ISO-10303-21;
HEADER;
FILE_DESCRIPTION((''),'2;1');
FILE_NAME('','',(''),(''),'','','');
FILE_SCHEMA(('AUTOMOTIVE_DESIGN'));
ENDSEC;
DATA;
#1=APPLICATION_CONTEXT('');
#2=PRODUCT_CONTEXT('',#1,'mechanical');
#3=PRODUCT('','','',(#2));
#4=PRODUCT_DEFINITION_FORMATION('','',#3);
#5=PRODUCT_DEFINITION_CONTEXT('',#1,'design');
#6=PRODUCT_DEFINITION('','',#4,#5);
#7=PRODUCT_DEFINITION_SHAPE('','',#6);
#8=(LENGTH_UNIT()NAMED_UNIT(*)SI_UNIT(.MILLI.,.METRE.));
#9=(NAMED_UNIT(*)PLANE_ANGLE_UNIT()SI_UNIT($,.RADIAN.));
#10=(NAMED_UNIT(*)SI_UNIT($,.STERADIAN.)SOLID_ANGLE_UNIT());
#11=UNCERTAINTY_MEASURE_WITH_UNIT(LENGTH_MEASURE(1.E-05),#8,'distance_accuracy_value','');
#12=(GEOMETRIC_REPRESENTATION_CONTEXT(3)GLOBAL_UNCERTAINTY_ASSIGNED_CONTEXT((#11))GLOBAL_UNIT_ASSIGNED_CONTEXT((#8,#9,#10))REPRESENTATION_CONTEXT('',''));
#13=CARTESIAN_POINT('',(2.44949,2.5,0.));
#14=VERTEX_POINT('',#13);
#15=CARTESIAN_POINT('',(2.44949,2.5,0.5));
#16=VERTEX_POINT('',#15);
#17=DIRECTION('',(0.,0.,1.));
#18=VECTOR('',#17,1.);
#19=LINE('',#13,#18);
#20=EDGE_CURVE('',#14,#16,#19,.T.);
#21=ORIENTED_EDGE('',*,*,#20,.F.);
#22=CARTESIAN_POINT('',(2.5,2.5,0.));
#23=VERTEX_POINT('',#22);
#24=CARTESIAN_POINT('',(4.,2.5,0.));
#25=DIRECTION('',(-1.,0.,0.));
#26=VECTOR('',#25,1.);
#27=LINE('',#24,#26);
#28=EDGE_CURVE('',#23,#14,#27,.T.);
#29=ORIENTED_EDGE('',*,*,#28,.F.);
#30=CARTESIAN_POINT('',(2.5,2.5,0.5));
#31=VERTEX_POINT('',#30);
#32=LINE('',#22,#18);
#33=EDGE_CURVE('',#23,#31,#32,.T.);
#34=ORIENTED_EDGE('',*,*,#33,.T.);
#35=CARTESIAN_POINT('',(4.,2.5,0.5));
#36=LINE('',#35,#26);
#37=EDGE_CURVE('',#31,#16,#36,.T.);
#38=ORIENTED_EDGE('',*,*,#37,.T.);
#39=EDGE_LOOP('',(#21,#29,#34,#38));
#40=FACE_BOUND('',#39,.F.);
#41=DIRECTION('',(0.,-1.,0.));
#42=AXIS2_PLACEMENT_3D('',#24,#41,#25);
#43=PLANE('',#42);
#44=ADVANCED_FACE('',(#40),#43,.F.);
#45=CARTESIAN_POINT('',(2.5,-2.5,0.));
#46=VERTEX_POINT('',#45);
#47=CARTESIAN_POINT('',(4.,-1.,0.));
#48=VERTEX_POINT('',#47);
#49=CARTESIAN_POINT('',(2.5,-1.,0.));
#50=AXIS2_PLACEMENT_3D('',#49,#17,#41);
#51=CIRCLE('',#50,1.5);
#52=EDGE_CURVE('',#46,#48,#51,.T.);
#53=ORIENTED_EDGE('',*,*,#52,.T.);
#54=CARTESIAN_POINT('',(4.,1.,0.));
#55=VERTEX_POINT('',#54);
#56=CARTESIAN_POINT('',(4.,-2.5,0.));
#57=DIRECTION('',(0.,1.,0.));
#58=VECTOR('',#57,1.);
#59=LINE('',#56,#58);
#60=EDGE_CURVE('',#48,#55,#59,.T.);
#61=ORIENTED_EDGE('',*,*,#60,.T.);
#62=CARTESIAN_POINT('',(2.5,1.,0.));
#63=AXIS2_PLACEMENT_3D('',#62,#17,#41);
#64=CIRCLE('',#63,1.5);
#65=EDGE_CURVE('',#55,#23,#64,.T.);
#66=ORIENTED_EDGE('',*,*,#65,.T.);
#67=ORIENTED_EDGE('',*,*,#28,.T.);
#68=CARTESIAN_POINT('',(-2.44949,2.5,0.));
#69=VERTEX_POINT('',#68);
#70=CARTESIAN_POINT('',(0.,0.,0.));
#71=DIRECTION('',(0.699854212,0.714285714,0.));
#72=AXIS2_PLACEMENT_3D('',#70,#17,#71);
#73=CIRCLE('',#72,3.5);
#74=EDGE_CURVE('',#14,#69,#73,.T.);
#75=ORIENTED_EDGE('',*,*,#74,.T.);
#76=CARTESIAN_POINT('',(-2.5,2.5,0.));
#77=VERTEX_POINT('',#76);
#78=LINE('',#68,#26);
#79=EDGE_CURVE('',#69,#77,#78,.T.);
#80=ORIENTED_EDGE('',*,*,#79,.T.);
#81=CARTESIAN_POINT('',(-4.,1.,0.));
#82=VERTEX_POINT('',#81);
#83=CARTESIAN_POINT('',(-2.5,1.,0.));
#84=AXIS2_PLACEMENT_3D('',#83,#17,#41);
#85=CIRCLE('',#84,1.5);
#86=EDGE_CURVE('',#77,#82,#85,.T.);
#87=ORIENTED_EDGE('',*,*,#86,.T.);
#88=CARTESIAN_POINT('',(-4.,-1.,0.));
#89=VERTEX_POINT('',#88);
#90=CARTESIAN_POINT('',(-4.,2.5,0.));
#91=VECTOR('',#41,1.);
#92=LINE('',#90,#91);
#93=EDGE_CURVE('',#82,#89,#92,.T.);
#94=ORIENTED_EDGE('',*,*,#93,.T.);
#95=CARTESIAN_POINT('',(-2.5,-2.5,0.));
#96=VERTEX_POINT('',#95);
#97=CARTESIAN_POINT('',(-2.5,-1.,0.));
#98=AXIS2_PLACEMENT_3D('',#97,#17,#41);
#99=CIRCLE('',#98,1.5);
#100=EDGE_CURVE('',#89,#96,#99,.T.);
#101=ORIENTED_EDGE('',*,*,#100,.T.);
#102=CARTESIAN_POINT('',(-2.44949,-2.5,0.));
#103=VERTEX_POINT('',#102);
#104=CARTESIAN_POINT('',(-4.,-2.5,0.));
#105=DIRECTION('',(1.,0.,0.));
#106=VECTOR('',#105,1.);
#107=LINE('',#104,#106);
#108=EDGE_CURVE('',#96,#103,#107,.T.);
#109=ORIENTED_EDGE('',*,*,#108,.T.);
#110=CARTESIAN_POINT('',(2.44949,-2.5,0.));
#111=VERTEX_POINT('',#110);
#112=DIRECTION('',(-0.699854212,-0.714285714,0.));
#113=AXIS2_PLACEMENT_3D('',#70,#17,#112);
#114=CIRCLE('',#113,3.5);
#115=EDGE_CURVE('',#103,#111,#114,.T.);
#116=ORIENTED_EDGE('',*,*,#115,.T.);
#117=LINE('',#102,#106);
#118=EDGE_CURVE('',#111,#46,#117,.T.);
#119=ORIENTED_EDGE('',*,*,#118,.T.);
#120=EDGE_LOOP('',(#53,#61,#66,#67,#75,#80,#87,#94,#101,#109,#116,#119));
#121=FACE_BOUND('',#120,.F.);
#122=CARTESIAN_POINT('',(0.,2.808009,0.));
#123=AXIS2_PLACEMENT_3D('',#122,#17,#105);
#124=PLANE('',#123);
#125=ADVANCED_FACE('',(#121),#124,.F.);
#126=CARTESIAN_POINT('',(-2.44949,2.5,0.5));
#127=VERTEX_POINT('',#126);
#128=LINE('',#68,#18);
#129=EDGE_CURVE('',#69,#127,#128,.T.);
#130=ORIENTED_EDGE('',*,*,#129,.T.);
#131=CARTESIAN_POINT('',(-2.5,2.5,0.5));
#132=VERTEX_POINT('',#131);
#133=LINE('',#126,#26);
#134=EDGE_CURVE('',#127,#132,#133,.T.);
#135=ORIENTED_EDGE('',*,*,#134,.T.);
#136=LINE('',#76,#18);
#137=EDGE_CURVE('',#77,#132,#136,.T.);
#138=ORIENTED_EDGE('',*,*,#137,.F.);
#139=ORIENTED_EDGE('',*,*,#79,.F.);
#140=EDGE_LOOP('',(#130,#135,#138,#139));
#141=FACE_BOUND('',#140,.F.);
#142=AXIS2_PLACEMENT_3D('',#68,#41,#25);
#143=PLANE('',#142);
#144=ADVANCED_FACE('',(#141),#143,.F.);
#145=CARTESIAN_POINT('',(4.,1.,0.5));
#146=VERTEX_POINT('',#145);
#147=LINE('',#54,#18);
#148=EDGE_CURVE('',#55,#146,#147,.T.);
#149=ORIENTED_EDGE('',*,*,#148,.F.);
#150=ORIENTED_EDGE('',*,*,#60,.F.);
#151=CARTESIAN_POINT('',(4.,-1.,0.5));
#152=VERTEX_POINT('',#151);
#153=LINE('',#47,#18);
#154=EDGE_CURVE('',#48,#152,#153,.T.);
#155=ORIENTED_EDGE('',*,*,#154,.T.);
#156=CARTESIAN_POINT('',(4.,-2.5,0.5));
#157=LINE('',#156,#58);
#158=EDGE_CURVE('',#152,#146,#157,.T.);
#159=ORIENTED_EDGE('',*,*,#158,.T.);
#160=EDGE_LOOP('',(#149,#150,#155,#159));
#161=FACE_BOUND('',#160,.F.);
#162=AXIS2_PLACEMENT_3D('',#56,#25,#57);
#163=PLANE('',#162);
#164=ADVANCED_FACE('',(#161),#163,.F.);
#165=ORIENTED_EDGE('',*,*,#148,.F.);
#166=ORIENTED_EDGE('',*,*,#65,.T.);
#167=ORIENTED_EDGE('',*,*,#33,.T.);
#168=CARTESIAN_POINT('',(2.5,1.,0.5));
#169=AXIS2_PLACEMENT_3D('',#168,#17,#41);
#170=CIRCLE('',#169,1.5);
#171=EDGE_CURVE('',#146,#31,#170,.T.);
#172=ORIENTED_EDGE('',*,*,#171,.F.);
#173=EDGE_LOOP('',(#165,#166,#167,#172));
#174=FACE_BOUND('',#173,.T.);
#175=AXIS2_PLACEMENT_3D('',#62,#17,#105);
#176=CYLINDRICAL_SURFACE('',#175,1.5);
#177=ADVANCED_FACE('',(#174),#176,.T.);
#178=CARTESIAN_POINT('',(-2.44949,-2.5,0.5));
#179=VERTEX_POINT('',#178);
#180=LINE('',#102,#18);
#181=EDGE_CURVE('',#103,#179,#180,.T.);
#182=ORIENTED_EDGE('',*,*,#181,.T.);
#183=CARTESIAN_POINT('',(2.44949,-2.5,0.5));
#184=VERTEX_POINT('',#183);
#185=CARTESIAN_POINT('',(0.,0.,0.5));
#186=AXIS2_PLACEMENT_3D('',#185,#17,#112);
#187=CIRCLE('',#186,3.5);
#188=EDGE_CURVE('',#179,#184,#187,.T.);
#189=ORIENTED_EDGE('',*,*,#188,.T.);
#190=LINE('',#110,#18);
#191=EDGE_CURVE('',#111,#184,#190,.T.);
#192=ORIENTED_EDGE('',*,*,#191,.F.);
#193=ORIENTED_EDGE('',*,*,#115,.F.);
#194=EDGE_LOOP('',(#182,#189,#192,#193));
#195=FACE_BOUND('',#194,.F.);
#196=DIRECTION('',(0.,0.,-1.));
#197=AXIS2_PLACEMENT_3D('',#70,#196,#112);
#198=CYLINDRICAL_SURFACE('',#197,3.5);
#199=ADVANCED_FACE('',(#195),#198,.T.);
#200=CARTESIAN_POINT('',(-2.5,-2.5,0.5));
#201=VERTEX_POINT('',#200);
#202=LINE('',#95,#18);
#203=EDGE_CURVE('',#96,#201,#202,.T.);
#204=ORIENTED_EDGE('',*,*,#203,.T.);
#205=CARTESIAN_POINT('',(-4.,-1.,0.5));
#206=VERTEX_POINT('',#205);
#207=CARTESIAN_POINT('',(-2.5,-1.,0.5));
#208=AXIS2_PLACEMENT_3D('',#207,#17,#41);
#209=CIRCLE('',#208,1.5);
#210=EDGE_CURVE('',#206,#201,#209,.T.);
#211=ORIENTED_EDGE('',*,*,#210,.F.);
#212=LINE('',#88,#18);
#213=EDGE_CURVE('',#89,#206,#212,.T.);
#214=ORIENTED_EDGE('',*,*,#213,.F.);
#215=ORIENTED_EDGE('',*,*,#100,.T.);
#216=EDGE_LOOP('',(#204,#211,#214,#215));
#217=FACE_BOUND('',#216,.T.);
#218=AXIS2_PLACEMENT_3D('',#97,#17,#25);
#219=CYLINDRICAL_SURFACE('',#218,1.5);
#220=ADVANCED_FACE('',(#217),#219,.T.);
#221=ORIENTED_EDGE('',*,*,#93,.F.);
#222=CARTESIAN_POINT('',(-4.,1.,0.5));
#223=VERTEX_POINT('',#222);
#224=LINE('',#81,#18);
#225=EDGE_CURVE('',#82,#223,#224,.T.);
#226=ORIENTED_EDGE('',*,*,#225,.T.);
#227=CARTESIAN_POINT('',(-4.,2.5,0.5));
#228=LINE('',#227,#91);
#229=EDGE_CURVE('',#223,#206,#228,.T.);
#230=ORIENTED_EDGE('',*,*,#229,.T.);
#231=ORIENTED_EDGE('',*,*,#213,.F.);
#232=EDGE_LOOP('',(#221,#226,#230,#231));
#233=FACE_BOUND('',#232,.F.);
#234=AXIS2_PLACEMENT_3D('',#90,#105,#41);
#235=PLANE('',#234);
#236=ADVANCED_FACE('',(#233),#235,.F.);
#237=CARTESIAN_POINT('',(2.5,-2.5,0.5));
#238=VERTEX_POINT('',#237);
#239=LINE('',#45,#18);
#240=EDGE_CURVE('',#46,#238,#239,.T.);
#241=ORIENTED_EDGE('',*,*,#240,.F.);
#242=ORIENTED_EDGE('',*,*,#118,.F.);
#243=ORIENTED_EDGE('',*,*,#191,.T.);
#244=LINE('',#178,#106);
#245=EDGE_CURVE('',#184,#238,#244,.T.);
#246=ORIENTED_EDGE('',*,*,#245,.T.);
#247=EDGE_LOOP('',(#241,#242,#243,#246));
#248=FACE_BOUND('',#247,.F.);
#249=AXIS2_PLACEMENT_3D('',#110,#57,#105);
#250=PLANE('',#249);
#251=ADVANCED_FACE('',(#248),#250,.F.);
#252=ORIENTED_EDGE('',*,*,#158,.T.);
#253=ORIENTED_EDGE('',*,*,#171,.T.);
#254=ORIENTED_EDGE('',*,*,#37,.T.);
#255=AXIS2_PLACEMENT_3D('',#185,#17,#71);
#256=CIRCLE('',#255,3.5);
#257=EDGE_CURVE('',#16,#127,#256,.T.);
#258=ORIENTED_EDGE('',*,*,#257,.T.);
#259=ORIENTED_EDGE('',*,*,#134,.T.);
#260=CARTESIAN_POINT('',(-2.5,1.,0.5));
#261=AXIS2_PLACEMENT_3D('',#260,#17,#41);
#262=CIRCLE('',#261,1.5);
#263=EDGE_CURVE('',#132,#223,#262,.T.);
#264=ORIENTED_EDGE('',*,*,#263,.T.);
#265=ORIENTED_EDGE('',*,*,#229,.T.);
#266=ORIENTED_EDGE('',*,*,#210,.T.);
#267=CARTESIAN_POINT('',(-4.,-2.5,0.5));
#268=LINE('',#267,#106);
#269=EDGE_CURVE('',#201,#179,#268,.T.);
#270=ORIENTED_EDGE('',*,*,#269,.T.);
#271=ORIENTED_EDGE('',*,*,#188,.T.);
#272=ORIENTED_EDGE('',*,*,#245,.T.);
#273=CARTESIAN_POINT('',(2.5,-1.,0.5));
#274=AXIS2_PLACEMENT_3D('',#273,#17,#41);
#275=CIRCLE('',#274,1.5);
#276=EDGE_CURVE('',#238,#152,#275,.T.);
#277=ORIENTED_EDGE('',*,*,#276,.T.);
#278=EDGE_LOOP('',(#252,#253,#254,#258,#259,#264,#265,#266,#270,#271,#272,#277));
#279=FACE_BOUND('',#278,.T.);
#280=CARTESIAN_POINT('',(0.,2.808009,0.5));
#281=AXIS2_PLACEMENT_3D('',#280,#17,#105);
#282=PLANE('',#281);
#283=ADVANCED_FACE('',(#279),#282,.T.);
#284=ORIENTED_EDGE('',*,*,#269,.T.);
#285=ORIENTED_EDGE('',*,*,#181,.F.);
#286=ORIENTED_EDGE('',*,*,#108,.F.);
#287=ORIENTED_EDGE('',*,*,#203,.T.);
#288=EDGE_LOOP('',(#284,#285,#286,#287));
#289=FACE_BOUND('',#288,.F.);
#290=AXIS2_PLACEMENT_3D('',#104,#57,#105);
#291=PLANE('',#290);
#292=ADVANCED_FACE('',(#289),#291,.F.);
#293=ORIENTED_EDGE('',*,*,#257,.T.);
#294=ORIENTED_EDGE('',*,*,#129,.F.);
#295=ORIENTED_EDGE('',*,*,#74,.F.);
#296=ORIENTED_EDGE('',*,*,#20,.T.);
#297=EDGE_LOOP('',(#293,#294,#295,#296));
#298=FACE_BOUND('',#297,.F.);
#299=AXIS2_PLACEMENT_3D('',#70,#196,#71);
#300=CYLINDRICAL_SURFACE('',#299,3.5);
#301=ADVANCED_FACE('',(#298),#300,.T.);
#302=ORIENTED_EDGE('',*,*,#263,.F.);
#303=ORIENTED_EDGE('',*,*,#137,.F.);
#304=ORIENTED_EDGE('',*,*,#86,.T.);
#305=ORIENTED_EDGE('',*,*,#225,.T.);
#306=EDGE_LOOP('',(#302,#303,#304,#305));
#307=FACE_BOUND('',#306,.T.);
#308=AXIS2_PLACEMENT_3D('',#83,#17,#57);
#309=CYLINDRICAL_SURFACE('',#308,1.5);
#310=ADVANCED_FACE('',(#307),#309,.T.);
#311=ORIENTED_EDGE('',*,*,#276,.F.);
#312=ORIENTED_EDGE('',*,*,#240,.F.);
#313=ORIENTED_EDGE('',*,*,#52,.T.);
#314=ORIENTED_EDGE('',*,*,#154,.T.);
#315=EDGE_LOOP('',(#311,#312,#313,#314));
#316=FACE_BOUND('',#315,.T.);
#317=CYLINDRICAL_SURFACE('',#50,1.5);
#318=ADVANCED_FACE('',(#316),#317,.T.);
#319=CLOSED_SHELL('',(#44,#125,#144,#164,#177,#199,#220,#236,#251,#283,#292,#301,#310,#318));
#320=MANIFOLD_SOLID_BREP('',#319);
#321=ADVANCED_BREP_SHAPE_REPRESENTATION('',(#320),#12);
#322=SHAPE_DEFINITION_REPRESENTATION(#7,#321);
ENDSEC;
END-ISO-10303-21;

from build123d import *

# Parameters (mm, degrees)
F1_DEPTH = 0.5
F2_R     = 1.5


with BuildPart() as f1:
    # F0 (on Top) → F1 (new body)
    with BuildSketch(Plane.XY):
        with BuildLine():
            Line((-2.4494897428, 2.5), (2.4494897428, 2.5))
            ThreePointArc((2.4494897428, 2.5), (0, 3.5), (-2.4494897428, 2.5))
        make_face()
        with BuildLine():
            ThreePointArc((2.4494897428, -2.5), (3.2267021942, -1.3558735008), (3.5, 0))
            ThreePointArc((3.5, 0), (3.2267021942, 1.3558735008), (2.4494897428, 2.5))
            Line((2.4494897428, 2.5), (-2.4494897428, 2.5))
            ThreePointArc((-2.4494897428, 2.5), (-3.5, 0), (-2.4494897428, -2.5))
            Line((-2.4494897428, -2.5), (2.4494897428, -2.5))
        make_face()
        with BuildLine():
            ThreePointArc((2.4494897428, 2.5), (3.2267021942, 1.3558735008), (3.5, 0))
            ThreePointArc((3.5, 0), (3.2267021942, -1.3558735008), (2.4494897428, -2.5))
            Line((2.4494897428, -2.5), (4, -2.5))
            Line((4, -2.5), (4, 2.5))
            Line((4, 2.5), (2.4494897428, 2.5))
        make_face()
        with BuildLine():
            ThreePointArc((-2.4494897428, -2.5), (0, -3.5), (2.4494897428, -2.5))
            Line((2.4494897428, -2.5), (-2.4494897428, -2.5))
        make_face()
        with BuildLine():
            ThreePointArc((-2.4494897428, -2.5), (-3.5, 0), (-2.4494897428, 2.5))
            Line((-2.4494897428, 2.5), (-4, 2.5))
            Line((-4, 2.5), (-4, -2.5))
            Line((-4, -2.5), (-2.4494897428, -2.5))
        make_face()
    extrude(amount=F1_DEPTH)

    # F2
    f2_edges = [f1.edges().sort_by_distance(p)[0] for p in [
        (-4, -2.5, 0.25),
        (-4, 2.5, 0.25),
        (4, -2.5, 0.25),
        (4, 2.5, 0.25),
    ]]
    fillet(f2_edges, radius=F2_R)


solid = f1.part
